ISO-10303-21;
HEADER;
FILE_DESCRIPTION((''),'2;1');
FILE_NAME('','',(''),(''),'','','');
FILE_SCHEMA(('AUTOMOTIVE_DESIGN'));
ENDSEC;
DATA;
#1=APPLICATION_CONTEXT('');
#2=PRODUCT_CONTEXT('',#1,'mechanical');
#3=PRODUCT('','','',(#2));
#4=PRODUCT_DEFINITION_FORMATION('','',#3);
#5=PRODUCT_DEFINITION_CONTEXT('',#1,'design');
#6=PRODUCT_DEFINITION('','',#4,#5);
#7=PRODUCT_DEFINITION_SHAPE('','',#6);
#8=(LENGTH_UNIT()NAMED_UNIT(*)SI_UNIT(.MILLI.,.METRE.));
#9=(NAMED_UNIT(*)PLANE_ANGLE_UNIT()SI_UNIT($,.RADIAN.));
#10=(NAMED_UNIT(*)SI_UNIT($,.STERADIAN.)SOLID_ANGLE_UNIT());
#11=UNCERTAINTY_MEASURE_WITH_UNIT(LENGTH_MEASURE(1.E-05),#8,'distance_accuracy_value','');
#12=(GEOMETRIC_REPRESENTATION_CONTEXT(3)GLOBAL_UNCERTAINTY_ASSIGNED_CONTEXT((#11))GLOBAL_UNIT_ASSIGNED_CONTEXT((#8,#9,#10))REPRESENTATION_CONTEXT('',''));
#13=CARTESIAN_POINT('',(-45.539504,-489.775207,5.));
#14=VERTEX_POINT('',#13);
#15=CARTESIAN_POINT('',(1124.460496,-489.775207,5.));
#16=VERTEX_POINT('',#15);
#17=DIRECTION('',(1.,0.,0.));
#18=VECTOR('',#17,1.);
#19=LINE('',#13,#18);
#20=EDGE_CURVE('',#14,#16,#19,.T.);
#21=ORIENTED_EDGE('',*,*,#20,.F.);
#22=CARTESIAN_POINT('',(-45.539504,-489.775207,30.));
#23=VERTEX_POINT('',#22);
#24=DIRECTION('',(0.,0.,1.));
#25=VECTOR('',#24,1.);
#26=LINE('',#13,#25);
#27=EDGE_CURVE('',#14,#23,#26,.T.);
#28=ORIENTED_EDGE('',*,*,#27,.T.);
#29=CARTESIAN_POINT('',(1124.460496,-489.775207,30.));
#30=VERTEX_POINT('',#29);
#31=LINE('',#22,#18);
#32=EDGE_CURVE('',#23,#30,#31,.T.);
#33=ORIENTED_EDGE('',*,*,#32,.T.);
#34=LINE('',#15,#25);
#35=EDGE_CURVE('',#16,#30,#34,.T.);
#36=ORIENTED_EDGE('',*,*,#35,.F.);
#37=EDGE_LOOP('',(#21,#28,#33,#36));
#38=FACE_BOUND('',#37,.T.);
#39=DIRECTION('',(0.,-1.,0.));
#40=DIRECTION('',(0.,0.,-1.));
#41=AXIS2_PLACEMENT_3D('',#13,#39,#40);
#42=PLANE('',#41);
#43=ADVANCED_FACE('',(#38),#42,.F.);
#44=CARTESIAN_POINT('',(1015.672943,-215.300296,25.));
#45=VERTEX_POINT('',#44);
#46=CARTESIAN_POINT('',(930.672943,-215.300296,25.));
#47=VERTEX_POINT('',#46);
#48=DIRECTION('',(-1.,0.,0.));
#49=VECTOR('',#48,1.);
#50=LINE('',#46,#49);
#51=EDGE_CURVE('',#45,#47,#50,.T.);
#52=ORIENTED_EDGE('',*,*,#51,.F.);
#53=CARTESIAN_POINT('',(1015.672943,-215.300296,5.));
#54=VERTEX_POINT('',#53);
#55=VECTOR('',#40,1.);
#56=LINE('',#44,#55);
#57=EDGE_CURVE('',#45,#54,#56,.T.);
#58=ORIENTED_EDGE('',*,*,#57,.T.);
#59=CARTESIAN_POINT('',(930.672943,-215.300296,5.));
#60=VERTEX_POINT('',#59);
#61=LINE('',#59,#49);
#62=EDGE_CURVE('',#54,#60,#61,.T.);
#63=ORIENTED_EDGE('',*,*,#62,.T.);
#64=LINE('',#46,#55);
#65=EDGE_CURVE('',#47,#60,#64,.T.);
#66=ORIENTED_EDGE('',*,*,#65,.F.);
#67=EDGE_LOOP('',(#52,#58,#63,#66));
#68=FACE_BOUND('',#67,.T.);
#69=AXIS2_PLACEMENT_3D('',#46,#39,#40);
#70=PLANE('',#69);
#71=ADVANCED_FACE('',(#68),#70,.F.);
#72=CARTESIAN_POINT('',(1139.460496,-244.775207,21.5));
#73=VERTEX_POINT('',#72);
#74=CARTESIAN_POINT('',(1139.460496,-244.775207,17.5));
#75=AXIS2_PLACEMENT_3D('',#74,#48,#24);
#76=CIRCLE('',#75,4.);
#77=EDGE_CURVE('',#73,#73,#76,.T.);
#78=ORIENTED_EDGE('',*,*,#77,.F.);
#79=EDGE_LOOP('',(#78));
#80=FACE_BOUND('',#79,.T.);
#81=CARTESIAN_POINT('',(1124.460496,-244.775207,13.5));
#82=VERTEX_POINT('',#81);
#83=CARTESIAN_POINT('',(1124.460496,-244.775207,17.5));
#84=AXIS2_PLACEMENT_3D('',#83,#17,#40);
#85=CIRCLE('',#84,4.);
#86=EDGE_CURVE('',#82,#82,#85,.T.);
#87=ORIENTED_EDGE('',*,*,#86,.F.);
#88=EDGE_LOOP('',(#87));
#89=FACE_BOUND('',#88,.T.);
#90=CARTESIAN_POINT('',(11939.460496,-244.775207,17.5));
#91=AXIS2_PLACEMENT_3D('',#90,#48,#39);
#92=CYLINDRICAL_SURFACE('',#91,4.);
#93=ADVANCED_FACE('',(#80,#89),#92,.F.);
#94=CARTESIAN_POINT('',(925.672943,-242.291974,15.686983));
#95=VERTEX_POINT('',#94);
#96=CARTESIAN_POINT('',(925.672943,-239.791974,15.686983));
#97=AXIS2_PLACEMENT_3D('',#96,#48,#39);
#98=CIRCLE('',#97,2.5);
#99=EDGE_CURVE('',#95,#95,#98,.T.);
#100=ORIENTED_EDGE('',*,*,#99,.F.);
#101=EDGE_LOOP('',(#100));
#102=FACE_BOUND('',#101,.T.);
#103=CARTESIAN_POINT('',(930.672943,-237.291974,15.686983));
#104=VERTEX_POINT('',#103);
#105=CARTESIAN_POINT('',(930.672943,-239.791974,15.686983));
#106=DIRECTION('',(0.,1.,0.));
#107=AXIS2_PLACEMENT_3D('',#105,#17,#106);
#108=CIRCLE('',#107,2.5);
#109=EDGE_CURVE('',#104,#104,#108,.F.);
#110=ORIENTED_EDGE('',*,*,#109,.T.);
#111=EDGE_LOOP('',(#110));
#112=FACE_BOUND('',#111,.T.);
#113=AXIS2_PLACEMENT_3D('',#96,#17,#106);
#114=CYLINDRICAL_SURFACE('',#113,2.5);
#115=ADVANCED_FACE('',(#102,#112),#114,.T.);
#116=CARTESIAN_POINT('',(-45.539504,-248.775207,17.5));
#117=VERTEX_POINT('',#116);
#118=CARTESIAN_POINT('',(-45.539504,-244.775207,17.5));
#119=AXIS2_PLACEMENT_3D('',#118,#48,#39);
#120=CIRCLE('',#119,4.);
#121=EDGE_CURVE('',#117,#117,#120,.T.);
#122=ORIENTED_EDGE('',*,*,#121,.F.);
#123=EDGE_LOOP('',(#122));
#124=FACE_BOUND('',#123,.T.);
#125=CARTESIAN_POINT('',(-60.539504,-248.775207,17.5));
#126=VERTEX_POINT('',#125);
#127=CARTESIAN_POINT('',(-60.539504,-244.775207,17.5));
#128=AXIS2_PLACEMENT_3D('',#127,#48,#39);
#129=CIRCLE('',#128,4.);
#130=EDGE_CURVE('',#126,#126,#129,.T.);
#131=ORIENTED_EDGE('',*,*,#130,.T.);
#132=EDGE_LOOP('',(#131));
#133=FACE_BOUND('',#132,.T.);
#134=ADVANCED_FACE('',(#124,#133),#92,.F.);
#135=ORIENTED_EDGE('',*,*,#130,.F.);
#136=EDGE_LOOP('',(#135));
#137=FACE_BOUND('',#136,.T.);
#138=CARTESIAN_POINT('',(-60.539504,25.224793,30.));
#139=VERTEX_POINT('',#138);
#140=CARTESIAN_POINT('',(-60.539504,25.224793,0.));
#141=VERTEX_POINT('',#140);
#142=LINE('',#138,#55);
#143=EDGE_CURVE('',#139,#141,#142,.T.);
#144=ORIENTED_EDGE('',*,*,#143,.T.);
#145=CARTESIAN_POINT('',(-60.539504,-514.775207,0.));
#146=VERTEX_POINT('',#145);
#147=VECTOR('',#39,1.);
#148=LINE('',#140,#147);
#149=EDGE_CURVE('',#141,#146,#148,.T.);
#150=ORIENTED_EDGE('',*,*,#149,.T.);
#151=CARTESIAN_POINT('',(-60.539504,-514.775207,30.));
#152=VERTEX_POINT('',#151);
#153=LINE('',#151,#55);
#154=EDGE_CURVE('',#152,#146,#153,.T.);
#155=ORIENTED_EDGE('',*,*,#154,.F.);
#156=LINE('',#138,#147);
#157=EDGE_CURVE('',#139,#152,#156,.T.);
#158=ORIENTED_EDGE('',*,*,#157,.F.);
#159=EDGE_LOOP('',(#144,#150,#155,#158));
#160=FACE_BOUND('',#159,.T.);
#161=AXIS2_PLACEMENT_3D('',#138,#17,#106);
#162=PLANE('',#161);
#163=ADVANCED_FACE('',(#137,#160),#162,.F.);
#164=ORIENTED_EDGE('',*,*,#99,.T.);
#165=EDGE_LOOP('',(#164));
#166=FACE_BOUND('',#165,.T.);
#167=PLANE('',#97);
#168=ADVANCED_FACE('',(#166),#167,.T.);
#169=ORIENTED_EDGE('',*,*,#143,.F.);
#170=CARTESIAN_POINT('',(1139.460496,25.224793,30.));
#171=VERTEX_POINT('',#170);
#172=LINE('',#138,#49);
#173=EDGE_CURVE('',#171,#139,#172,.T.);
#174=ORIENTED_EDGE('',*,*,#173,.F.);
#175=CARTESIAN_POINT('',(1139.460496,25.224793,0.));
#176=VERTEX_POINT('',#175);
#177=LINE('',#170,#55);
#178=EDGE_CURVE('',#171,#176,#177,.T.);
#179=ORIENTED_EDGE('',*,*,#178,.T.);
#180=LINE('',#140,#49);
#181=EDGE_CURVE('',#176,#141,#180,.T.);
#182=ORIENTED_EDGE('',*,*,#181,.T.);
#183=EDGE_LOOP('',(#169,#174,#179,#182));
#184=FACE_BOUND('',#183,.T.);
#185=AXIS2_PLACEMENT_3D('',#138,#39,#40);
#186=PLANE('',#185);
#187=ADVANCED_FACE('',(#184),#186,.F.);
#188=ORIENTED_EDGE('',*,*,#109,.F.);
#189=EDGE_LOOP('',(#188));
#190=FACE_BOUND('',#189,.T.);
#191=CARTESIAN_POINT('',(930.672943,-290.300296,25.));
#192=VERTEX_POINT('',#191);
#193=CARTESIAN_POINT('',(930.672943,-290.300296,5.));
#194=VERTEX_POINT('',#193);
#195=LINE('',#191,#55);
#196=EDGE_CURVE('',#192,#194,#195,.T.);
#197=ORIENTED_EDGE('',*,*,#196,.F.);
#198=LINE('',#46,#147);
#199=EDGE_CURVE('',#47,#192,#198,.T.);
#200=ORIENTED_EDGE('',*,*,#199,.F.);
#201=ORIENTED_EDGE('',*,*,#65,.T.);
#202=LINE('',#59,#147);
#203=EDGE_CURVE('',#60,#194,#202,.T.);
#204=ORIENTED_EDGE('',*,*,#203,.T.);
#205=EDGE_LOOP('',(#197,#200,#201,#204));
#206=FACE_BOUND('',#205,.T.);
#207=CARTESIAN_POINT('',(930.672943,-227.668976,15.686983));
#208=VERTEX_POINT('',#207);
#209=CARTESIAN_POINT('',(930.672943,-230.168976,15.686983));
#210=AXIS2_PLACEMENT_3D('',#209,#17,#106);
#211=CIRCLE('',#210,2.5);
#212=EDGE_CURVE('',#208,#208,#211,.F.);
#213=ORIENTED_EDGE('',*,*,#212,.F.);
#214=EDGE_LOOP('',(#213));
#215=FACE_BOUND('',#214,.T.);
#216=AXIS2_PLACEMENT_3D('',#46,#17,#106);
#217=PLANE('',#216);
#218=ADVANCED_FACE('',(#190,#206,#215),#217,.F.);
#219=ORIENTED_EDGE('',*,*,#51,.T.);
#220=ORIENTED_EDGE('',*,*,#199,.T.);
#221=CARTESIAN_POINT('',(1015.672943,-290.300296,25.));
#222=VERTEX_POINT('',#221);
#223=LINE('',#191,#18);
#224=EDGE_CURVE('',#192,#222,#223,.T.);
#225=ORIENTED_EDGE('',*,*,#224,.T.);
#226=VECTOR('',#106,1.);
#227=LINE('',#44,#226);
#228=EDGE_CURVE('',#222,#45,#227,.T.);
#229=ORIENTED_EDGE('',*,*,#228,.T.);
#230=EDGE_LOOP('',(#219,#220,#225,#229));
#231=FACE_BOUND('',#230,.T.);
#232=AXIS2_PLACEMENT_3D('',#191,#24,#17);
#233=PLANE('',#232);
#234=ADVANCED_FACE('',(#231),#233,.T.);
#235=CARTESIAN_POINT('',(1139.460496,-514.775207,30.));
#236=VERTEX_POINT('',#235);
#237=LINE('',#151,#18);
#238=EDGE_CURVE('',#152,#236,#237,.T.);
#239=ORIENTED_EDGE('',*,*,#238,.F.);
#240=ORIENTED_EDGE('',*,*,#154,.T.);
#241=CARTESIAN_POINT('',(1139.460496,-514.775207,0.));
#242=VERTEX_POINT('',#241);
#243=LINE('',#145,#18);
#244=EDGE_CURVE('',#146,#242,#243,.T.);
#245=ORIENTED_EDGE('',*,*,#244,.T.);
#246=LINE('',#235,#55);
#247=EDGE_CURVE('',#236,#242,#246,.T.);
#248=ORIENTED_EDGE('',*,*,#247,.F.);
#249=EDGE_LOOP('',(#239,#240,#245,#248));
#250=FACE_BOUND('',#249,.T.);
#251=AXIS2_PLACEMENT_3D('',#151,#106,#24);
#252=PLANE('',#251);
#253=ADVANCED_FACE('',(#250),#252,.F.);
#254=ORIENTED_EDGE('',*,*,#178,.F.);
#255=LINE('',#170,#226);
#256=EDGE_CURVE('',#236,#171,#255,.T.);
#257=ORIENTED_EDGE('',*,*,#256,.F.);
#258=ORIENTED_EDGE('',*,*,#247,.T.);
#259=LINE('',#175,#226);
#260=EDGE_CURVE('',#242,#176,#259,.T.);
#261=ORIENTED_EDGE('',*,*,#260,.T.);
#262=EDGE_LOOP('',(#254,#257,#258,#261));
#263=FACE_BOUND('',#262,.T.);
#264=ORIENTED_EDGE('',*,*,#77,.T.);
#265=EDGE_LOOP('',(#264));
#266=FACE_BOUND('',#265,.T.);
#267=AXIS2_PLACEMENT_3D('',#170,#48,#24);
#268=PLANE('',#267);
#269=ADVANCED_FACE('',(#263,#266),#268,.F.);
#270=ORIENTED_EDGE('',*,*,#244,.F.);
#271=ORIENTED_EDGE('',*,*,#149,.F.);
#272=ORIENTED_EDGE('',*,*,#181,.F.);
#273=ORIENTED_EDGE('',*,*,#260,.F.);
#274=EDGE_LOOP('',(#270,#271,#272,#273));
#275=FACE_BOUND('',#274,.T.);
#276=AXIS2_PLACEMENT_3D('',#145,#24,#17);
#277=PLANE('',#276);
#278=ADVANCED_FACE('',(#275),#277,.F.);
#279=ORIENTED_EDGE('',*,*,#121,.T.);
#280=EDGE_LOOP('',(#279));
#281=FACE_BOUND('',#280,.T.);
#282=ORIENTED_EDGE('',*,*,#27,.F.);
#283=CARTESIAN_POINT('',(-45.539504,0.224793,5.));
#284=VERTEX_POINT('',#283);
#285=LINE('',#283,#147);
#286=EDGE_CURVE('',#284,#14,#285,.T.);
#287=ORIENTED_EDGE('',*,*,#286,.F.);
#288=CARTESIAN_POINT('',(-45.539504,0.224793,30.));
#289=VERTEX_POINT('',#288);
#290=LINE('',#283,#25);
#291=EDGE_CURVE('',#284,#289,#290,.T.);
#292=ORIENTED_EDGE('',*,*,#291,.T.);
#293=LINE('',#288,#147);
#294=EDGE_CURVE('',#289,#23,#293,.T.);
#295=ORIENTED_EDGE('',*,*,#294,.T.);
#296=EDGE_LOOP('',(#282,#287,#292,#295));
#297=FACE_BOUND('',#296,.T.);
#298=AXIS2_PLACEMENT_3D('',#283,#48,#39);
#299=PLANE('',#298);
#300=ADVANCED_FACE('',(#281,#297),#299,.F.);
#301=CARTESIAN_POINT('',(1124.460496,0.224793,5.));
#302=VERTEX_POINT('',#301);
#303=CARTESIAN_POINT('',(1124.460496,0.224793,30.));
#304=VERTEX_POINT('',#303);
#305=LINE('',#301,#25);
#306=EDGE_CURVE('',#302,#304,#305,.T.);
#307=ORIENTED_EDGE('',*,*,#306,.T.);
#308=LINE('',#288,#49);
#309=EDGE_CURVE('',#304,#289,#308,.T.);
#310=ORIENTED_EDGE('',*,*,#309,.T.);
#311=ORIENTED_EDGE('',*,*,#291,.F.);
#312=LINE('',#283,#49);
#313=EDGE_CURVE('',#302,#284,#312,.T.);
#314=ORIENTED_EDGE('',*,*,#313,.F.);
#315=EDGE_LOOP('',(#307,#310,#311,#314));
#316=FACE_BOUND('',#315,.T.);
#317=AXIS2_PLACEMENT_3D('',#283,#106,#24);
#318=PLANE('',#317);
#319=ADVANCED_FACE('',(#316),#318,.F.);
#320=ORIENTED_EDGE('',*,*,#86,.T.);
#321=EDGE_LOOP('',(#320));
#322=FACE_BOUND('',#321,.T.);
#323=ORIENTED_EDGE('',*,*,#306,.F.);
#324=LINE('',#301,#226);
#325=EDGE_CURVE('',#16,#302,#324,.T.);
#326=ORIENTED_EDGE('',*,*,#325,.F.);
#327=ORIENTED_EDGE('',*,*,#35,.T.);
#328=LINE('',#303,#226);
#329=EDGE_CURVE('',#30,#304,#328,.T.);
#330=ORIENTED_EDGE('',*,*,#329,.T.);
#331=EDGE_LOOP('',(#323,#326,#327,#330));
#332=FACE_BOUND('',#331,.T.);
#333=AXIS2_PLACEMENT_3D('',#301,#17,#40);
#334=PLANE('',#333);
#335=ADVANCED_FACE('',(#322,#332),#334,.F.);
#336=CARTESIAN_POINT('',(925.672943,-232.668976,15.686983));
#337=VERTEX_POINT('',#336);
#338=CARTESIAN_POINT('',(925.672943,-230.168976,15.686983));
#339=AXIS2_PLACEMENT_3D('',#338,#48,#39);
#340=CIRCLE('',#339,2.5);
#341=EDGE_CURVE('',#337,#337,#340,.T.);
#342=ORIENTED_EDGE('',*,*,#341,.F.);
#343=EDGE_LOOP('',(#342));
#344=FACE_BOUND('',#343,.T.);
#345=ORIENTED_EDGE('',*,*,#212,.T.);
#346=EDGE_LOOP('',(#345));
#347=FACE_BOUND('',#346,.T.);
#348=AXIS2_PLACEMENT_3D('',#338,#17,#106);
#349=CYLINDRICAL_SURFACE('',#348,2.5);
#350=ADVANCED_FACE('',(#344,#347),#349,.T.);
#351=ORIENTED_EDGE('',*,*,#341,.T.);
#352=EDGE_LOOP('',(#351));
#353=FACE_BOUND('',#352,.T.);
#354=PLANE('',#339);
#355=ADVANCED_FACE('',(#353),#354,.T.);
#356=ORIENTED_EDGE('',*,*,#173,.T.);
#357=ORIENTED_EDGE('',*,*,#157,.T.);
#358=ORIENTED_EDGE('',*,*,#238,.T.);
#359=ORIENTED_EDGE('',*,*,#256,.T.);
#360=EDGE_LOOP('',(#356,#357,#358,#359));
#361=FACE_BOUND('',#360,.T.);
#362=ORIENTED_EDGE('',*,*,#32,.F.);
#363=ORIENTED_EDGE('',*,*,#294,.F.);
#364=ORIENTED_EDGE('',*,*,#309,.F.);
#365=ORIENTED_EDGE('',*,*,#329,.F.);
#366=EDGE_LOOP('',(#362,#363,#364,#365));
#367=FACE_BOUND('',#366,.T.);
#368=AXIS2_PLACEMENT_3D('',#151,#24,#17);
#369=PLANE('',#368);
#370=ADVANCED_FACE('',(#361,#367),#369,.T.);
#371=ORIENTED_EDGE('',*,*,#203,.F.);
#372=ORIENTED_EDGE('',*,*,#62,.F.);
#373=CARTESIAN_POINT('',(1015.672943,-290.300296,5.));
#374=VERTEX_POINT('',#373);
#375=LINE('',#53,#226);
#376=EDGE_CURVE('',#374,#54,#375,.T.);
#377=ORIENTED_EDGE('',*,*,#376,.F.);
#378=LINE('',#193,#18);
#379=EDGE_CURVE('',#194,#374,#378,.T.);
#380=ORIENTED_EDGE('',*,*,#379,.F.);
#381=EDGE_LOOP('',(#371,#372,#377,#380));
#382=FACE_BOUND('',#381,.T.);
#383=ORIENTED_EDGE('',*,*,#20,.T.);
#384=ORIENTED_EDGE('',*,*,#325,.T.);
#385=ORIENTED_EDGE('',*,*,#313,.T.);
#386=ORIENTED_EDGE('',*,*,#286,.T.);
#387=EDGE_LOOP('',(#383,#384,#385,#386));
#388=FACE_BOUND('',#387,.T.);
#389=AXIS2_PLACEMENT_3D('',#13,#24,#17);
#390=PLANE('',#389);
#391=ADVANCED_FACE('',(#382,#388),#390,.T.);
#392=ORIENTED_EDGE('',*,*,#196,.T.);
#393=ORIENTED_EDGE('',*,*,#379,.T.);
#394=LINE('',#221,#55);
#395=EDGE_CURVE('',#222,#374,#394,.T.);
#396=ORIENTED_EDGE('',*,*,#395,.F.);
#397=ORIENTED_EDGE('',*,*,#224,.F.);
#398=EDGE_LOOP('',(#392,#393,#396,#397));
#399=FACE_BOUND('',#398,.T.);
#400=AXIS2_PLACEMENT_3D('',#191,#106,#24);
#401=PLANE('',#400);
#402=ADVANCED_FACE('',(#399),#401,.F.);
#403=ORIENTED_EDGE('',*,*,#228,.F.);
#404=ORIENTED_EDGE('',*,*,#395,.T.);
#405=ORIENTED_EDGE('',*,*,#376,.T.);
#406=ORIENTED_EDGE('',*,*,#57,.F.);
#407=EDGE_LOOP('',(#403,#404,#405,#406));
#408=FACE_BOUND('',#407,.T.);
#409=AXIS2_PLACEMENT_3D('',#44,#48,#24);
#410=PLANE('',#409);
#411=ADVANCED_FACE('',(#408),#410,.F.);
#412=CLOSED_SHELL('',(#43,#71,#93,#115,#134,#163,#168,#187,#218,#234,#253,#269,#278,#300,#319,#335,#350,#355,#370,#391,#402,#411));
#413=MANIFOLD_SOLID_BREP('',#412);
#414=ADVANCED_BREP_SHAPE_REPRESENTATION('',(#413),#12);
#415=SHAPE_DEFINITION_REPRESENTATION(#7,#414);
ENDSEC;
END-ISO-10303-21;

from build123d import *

# Parameters (mm, degrees)
SKETCH_1_W          = 1200
SKETCH_1_H          = 540
EXTRUDE_1_DEPTH     = 30
SKETCH_2_W          = 1170
SKETCH_2_H          = 490
CUT_EXTRUDE_1_DEPTH = 25
SKETCH_3_R          = 4
CUT_EXTRUDE_2_DEPTH = 12000
SKETCH_4_W          = 85
SKETCH_4_H          = 75
EXTRUDE_2_DEPTH     = 20
SKETCH_5_R          = 2.5
EXTRUDE_3_DEPTH     = 5


with BuildPart() as part:
    # 草图1 → 凸台-拉伸1 (new body)
    with BuildSketch(Plane.XY):
        with Locations((539.460495659, -244.775206524)):
            Rectangle(SKETCH_1_W, SKETCH_1_H)
    extrude(amount=EXTRUDE_1_DEPTH)

    # 草图2 → 切除-拉伸1 (cut)
    with BuildSketch(Plane.XY.offset(30)):
        with Locations((539.460495659, -244.775206524)):
            Rectangle(SKETCH_2_W, SKETCH_2_H)
    extrude(amount=-CUT_EXTRUDE_1_DEPTH, mode=Mode.SUBTRACT)

    # 草图3 → 切除-拉伸2 (cut)
    with BuildSketch(Plane.ZY.offset(60.539504341)):
        with Locations(Location((17.5, -244.775206524, 0), (0, 0, 180))):
            Circle(SKETCH_3_R)
    extrude(amount=-CUT_EXTRUDE_2_DEPTH, mode=Mode.SUBTRACT)

    # 草图4 → 凸台-拉伸2 (add)
    with BuildSketch(Plane.XY.offset(5)):
        with Locations((973.172943193, -252.800296094)):
            Rectangle(SKETCH_4_W, SKETCH_4_H)
    extrude(amount=EXTRUDE_2_DEPTH)

    # 草图5 → 凸台-拉伸3 (add)
    with BuildSketch(Plane.ZY.offset(-930.672943193)):
        with Locations(Location((15.686983343, -230.168976304, 0), (0, 0, 90))):
            Circle(SKETCH_5_R)
        with Locations(Location((15.686983343, -239.791974012, 0), (0, 0, 90))):
            Circle(SKETCH_5_R)
    extrude(amount=EXTRUDE_3_DEPTH)


solid = part.part
